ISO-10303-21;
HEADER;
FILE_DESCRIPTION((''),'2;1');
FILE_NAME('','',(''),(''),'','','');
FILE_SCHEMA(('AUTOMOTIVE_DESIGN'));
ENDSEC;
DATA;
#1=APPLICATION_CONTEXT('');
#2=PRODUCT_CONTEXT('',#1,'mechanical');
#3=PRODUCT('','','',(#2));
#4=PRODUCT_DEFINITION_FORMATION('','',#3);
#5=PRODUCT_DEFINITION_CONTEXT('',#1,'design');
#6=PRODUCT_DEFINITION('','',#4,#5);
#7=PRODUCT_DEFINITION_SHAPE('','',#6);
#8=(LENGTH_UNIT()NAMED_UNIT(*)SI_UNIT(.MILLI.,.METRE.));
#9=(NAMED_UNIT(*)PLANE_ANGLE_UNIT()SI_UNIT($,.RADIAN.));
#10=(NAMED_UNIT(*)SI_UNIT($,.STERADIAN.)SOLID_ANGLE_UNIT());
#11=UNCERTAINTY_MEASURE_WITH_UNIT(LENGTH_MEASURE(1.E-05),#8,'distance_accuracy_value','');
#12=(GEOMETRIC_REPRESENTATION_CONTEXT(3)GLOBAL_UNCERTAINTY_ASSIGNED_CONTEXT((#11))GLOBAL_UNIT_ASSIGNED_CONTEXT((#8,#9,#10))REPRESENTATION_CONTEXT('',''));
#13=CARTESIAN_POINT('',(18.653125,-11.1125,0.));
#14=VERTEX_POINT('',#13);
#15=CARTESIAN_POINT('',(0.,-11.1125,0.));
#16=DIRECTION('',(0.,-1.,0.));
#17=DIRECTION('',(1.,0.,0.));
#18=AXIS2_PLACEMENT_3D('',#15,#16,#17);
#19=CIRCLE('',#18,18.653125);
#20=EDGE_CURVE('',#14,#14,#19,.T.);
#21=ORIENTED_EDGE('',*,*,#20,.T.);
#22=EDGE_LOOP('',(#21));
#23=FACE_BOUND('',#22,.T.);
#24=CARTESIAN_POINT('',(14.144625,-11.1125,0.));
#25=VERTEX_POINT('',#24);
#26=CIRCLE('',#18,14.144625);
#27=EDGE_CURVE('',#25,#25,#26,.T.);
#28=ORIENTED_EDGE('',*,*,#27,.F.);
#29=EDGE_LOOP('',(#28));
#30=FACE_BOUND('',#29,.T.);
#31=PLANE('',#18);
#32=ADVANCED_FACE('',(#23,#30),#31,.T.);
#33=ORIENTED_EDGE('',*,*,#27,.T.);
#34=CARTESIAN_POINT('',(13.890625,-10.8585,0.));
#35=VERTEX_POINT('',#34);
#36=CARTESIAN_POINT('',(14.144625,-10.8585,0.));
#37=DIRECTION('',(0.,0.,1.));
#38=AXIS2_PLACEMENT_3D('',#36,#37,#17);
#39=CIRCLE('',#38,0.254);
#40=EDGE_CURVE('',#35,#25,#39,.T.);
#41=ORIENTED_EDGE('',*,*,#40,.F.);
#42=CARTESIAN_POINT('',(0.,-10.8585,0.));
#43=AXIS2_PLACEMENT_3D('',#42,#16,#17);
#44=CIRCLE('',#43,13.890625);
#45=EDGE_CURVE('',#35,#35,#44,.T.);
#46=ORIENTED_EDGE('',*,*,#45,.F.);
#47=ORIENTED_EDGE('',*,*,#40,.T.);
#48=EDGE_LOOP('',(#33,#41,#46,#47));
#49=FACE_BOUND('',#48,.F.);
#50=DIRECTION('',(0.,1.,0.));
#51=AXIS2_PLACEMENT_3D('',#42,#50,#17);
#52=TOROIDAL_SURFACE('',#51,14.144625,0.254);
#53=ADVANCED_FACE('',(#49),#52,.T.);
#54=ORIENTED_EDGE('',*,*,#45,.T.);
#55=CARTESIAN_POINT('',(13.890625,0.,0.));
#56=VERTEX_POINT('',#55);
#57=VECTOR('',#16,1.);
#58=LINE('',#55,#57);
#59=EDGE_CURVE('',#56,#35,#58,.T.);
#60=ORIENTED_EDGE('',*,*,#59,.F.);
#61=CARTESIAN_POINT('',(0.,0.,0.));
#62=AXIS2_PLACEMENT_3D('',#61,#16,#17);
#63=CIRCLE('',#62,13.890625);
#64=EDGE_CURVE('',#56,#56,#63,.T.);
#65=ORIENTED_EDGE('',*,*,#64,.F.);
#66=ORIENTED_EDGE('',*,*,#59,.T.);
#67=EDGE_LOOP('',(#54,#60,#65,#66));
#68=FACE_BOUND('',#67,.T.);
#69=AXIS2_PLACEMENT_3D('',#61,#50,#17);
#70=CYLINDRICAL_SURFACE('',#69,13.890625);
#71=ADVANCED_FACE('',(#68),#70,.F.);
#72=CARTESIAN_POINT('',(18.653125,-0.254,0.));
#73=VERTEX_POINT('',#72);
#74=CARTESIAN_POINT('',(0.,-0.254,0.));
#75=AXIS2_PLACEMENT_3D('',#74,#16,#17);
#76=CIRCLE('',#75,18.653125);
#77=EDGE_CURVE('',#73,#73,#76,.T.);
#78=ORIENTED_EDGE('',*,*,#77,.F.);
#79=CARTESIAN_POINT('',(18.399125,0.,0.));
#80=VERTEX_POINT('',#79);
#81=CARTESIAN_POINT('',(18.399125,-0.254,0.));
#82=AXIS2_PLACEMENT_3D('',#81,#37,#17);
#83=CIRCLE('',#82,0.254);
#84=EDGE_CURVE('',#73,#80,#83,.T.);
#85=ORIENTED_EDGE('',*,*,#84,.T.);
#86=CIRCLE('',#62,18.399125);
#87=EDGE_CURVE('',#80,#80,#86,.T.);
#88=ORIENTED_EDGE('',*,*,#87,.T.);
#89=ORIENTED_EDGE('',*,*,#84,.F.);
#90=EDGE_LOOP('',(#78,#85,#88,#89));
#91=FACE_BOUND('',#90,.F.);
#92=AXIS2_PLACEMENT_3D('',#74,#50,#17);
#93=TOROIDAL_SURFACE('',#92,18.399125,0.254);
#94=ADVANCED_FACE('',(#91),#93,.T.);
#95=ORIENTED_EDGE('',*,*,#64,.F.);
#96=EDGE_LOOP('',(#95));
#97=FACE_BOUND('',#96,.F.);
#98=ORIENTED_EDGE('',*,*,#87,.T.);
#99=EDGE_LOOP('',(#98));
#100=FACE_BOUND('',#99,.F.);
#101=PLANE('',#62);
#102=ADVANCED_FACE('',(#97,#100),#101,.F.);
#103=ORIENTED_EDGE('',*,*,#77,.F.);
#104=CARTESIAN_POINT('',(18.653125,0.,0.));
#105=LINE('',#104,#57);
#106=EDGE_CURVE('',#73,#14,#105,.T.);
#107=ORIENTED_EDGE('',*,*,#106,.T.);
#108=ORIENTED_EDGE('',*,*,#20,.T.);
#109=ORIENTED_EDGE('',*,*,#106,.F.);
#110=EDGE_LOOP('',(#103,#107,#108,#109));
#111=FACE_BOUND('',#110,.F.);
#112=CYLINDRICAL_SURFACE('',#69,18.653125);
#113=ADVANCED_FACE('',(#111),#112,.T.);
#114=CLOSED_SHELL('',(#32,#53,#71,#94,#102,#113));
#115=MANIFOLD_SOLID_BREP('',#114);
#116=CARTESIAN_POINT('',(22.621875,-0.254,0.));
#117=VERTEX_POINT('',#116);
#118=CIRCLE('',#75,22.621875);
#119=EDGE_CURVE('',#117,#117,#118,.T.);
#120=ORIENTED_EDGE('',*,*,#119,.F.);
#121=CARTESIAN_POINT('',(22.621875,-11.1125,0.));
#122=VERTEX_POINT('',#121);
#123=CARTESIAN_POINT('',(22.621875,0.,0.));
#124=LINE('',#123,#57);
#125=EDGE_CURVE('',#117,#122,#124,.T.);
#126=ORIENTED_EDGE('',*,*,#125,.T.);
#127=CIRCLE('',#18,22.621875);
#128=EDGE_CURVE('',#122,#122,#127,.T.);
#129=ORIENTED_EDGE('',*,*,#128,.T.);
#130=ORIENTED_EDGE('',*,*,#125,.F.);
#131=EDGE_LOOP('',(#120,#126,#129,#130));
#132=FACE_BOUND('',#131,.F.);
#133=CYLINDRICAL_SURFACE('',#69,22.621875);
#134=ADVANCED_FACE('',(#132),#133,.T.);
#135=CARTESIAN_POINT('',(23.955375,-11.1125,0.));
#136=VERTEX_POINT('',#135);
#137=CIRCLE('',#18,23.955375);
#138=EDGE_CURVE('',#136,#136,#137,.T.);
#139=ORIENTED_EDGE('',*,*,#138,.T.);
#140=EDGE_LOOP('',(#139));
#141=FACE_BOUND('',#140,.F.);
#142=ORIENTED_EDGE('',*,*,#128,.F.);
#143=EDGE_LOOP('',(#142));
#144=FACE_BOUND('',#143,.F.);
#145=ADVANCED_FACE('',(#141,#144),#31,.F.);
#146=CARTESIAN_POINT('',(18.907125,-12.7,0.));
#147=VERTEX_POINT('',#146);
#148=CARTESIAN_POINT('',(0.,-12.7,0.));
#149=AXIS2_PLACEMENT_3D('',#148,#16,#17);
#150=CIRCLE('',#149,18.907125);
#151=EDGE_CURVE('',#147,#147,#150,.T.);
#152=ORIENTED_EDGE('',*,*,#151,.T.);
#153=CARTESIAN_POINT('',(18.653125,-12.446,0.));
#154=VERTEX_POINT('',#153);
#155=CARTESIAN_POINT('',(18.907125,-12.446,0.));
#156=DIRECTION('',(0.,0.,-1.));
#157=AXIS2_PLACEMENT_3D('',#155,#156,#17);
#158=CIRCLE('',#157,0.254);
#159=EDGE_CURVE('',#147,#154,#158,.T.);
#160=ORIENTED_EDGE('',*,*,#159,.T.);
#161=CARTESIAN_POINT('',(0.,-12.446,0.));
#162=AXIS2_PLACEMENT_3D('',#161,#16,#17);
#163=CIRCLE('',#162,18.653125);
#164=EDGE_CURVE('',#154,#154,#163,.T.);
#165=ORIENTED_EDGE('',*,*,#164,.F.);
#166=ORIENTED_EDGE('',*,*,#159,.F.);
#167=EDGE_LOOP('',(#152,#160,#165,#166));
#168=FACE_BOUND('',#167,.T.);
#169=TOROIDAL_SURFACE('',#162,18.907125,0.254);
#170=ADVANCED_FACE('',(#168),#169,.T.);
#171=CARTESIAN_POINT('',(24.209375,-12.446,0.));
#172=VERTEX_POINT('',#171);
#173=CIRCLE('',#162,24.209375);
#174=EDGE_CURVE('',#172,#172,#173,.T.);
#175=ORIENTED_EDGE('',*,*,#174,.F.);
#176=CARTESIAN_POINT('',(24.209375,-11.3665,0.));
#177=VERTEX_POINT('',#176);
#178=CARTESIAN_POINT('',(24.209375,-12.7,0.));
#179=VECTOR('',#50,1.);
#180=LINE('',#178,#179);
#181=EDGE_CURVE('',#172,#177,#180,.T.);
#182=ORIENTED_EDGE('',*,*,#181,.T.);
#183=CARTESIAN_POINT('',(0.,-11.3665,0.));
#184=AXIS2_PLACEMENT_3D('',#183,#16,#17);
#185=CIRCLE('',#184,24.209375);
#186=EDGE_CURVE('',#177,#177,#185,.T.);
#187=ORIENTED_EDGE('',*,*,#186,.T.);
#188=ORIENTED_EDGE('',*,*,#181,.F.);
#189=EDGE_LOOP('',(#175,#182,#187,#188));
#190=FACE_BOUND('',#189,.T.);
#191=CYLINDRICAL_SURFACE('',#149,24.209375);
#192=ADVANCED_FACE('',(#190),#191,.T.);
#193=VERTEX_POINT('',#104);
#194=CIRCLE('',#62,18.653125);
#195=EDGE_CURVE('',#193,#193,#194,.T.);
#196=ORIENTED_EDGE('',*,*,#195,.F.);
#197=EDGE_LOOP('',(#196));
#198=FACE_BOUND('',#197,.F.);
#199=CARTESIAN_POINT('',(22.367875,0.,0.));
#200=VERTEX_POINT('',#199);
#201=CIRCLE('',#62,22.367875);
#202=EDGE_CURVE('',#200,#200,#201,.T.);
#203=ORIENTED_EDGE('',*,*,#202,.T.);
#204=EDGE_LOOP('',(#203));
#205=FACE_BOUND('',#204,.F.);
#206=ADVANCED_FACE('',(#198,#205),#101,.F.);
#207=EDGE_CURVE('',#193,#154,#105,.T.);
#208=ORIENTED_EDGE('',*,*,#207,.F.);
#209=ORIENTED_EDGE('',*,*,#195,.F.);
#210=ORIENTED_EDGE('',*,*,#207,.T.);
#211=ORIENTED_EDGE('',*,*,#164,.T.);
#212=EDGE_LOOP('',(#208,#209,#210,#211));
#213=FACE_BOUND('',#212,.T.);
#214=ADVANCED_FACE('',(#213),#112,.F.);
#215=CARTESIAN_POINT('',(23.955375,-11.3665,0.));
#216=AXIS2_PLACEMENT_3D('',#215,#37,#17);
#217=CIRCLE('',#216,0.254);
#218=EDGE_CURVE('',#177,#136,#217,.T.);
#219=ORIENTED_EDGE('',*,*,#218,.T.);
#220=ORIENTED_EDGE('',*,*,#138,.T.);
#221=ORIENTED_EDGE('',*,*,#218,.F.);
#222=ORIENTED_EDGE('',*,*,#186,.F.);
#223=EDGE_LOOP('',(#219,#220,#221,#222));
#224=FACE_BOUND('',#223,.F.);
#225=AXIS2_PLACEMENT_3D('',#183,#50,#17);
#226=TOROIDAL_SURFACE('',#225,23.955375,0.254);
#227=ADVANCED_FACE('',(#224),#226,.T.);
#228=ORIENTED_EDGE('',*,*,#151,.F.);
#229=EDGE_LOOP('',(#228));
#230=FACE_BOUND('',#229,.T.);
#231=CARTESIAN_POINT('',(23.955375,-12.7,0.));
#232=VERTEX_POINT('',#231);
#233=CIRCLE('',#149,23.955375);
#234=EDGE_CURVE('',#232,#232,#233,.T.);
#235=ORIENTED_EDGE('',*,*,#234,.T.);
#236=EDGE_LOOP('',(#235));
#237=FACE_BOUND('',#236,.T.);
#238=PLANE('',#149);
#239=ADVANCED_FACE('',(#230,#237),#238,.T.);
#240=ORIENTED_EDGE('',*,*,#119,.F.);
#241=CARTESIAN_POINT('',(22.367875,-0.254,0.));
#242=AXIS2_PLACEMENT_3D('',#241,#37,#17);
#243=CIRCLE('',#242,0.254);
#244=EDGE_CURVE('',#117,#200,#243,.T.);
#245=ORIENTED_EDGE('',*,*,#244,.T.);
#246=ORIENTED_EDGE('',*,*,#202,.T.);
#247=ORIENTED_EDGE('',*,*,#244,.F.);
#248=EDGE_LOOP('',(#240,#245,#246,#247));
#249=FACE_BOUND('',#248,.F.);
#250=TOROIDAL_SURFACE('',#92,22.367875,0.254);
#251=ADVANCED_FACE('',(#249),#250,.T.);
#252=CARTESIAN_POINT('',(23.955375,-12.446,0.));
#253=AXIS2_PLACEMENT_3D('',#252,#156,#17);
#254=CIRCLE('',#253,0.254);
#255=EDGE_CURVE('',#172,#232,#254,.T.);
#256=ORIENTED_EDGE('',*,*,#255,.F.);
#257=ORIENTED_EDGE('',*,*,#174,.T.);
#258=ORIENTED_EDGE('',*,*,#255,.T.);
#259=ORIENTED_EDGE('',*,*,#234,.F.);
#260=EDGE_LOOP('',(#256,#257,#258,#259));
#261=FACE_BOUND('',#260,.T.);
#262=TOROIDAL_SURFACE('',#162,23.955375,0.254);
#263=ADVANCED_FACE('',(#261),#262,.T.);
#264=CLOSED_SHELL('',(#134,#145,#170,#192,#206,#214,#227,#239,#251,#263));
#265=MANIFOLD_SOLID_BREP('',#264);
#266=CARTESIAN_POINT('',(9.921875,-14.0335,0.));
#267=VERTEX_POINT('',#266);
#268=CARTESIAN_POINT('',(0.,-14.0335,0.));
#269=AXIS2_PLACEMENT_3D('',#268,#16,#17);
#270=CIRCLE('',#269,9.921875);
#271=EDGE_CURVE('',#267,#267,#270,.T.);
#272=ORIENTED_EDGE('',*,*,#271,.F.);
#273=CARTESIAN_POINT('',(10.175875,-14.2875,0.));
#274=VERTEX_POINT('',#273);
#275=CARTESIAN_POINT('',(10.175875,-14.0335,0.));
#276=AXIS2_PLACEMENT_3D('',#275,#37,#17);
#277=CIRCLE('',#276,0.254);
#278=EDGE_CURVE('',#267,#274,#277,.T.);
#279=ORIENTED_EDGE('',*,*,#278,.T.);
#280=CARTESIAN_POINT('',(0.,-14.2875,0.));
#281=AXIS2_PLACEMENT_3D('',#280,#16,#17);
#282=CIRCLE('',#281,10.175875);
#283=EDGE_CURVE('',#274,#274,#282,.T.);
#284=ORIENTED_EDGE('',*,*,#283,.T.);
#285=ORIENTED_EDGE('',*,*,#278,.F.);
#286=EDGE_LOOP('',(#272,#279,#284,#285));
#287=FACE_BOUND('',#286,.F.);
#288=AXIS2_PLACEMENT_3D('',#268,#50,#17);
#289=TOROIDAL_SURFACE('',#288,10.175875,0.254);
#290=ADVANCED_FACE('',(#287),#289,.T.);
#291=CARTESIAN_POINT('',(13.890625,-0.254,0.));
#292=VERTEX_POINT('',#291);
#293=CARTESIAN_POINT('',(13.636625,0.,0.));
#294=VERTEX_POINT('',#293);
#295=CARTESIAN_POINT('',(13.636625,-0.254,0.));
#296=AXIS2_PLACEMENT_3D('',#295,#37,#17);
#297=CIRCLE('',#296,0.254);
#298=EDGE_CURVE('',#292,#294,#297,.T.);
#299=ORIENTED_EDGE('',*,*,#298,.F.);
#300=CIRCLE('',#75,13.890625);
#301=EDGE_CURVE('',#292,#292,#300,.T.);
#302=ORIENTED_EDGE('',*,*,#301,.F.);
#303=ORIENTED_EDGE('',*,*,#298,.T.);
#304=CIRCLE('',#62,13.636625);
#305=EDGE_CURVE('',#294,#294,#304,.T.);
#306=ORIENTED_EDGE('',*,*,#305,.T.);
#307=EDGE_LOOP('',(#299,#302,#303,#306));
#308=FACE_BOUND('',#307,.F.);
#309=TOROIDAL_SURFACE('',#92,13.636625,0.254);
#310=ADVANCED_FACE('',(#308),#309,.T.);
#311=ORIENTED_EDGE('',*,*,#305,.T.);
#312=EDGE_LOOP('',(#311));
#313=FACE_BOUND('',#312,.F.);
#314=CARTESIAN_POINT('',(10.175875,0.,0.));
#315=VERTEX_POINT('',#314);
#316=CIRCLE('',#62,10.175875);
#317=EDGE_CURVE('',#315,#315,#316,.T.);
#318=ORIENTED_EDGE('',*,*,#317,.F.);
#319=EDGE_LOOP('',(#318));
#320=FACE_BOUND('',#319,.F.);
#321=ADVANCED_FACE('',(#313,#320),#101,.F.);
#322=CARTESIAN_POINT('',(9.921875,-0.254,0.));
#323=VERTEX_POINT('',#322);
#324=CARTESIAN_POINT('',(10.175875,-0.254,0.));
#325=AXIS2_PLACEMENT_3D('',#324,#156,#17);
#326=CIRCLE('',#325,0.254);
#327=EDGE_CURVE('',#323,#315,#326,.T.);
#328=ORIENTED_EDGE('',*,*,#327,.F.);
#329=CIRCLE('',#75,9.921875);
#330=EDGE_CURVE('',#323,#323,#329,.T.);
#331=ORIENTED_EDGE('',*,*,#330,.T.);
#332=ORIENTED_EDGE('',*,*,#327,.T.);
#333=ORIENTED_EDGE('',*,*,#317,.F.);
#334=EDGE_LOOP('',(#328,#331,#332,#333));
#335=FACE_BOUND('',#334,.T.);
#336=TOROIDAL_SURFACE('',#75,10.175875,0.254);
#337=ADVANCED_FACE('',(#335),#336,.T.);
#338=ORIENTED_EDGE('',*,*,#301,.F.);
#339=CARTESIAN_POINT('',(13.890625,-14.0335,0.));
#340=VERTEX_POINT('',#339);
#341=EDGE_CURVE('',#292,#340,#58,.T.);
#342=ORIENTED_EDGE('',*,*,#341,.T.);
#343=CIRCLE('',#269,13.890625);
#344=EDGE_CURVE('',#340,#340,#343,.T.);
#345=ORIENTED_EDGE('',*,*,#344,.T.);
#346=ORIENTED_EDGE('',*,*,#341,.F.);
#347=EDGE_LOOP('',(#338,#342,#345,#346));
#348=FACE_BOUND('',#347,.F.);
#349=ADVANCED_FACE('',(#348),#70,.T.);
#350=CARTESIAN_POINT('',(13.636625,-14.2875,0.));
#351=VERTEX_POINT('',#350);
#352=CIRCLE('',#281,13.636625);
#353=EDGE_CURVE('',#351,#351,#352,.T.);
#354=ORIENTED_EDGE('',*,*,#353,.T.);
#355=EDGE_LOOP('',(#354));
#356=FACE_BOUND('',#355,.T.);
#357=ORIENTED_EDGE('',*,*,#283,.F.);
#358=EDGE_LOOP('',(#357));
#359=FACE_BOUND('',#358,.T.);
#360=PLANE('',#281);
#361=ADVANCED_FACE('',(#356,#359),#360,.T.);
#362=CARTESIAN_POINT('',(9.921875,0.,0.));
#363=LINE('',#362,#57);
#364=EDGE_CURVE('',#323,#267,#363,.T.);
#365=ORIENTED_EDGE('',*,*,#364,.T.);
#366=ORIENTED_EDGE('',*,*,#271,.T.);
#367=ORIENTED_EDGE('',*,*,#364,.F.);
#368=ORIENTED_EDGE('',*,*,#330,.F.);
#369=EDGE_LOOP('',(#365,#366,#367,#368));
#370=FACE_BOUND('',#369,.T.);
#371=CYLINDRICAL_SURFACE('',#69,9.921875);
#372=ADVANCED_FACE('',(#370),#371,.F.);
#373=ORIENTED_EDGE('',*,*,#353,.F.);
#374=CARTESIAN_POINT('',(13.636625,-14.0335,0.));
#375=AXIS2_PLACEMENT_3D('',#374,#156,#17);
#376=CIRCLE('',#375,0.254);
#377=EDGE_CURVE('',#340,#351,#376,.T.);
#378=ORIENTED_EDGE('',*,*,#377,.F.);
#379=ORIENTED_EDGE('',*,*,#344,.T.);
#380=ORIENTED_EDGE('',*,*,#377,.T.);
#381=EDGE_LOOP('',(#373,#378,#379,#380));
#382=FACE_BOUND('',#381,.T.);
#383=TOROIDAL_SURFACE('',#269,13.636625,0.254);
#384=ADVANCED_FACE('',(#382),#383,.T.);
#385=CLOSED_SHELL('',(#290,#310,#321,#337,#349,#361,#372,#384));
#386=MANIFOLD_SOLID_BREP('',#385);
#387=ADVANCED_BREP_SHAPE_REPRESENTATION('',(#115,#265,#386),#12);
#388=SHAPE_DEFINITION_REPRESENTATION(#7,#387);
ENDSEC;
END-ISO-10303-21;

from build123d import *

# Parameters (mm, degrees)
F0_R     = 13.890625
F0_R_2   = 9.921875
F1_DEPTH = 14.2875
F0_R_3   = 18.653125
F2_DEPTH = 11.1125
F0_R_4   = 22.621875
F3_DEPTH = 12.7
F4_R     = 24.209375
F4_R_2   = 22.621875
F5_DEPTH = 1.5875
F6_R     = 0.254
F6_2_R   = 0.254
F6_3_R   = 0.254


with BuildPart() as f1:
    # F0 (on Front) → F1 (new body)
    with BuildSketch(Plane.XZ):
        Circle(F0_R)
        Circle(F0_R_2, mode=Mode.SUBTRACT)
    extrude(amount=F1_DEPTH)

    # F6#3
    f6_3_edges = [f1.edges().sort_by_distance(p)[0] for p in [
        (-13.890625, -14.2875, 0),
        (-9.921875, -14.2875, 0),
        (-13.890625, 0, 0),
        (-9.921875, 0, 0),
    ]]
    fillet(f6_3_edges, radius=F6_3_R)


with BuildPart() as f2:
    # F0 (on Front) → F2 (new body)
    with BuildSketch(Plane.XZ):
        Circle(F0_R_3)
        Circle(F0_R, mode=Mode.SUBTRACT)
    extrude(amount=F2_DEPTH)

    # F6#2
    f6_2_edges = [f2.edges().sort_by_distance(p)[0] for p in [
        (-13.890625, -11.1125, 0),
        (-18.653125, 0, 0),
    ]]
    fillet(f6_2_edges, radius=F6_2_R)


with BuildPart() as f3:
    # F0 (on Front) → F3 (new body)
    with BuildSketch(Plane.XZ):
        Circle(F0_R_4)
        Circle(F0_R_3, mode=Mode.SUBTRACT)
    extrude(amount=F3_DEPTH)

    # F4 (on face) → F5 (join)
    with BuildSketch(Plane.XZ.offset(12.7)):
        Circle(F4_R)
        Circle(F4_R_2, mode=Mode.SUBTRACT)
    extrude(amount=-F5_DEPTH)

    # F6
    f6_edges = [f3.edges().sort_by_distance(p)[0] for p in [
        (-24.209375, -11.1125, 0),
        (-24.209375, -12.7, 0),
        (-18.653125, -12.7, 0),
        (-22.621875, 0, 0),
    ]]
    fillet(f6_edges, radius=F6_R)


solid = Compound([f1.part, f2.part, f3.part])
